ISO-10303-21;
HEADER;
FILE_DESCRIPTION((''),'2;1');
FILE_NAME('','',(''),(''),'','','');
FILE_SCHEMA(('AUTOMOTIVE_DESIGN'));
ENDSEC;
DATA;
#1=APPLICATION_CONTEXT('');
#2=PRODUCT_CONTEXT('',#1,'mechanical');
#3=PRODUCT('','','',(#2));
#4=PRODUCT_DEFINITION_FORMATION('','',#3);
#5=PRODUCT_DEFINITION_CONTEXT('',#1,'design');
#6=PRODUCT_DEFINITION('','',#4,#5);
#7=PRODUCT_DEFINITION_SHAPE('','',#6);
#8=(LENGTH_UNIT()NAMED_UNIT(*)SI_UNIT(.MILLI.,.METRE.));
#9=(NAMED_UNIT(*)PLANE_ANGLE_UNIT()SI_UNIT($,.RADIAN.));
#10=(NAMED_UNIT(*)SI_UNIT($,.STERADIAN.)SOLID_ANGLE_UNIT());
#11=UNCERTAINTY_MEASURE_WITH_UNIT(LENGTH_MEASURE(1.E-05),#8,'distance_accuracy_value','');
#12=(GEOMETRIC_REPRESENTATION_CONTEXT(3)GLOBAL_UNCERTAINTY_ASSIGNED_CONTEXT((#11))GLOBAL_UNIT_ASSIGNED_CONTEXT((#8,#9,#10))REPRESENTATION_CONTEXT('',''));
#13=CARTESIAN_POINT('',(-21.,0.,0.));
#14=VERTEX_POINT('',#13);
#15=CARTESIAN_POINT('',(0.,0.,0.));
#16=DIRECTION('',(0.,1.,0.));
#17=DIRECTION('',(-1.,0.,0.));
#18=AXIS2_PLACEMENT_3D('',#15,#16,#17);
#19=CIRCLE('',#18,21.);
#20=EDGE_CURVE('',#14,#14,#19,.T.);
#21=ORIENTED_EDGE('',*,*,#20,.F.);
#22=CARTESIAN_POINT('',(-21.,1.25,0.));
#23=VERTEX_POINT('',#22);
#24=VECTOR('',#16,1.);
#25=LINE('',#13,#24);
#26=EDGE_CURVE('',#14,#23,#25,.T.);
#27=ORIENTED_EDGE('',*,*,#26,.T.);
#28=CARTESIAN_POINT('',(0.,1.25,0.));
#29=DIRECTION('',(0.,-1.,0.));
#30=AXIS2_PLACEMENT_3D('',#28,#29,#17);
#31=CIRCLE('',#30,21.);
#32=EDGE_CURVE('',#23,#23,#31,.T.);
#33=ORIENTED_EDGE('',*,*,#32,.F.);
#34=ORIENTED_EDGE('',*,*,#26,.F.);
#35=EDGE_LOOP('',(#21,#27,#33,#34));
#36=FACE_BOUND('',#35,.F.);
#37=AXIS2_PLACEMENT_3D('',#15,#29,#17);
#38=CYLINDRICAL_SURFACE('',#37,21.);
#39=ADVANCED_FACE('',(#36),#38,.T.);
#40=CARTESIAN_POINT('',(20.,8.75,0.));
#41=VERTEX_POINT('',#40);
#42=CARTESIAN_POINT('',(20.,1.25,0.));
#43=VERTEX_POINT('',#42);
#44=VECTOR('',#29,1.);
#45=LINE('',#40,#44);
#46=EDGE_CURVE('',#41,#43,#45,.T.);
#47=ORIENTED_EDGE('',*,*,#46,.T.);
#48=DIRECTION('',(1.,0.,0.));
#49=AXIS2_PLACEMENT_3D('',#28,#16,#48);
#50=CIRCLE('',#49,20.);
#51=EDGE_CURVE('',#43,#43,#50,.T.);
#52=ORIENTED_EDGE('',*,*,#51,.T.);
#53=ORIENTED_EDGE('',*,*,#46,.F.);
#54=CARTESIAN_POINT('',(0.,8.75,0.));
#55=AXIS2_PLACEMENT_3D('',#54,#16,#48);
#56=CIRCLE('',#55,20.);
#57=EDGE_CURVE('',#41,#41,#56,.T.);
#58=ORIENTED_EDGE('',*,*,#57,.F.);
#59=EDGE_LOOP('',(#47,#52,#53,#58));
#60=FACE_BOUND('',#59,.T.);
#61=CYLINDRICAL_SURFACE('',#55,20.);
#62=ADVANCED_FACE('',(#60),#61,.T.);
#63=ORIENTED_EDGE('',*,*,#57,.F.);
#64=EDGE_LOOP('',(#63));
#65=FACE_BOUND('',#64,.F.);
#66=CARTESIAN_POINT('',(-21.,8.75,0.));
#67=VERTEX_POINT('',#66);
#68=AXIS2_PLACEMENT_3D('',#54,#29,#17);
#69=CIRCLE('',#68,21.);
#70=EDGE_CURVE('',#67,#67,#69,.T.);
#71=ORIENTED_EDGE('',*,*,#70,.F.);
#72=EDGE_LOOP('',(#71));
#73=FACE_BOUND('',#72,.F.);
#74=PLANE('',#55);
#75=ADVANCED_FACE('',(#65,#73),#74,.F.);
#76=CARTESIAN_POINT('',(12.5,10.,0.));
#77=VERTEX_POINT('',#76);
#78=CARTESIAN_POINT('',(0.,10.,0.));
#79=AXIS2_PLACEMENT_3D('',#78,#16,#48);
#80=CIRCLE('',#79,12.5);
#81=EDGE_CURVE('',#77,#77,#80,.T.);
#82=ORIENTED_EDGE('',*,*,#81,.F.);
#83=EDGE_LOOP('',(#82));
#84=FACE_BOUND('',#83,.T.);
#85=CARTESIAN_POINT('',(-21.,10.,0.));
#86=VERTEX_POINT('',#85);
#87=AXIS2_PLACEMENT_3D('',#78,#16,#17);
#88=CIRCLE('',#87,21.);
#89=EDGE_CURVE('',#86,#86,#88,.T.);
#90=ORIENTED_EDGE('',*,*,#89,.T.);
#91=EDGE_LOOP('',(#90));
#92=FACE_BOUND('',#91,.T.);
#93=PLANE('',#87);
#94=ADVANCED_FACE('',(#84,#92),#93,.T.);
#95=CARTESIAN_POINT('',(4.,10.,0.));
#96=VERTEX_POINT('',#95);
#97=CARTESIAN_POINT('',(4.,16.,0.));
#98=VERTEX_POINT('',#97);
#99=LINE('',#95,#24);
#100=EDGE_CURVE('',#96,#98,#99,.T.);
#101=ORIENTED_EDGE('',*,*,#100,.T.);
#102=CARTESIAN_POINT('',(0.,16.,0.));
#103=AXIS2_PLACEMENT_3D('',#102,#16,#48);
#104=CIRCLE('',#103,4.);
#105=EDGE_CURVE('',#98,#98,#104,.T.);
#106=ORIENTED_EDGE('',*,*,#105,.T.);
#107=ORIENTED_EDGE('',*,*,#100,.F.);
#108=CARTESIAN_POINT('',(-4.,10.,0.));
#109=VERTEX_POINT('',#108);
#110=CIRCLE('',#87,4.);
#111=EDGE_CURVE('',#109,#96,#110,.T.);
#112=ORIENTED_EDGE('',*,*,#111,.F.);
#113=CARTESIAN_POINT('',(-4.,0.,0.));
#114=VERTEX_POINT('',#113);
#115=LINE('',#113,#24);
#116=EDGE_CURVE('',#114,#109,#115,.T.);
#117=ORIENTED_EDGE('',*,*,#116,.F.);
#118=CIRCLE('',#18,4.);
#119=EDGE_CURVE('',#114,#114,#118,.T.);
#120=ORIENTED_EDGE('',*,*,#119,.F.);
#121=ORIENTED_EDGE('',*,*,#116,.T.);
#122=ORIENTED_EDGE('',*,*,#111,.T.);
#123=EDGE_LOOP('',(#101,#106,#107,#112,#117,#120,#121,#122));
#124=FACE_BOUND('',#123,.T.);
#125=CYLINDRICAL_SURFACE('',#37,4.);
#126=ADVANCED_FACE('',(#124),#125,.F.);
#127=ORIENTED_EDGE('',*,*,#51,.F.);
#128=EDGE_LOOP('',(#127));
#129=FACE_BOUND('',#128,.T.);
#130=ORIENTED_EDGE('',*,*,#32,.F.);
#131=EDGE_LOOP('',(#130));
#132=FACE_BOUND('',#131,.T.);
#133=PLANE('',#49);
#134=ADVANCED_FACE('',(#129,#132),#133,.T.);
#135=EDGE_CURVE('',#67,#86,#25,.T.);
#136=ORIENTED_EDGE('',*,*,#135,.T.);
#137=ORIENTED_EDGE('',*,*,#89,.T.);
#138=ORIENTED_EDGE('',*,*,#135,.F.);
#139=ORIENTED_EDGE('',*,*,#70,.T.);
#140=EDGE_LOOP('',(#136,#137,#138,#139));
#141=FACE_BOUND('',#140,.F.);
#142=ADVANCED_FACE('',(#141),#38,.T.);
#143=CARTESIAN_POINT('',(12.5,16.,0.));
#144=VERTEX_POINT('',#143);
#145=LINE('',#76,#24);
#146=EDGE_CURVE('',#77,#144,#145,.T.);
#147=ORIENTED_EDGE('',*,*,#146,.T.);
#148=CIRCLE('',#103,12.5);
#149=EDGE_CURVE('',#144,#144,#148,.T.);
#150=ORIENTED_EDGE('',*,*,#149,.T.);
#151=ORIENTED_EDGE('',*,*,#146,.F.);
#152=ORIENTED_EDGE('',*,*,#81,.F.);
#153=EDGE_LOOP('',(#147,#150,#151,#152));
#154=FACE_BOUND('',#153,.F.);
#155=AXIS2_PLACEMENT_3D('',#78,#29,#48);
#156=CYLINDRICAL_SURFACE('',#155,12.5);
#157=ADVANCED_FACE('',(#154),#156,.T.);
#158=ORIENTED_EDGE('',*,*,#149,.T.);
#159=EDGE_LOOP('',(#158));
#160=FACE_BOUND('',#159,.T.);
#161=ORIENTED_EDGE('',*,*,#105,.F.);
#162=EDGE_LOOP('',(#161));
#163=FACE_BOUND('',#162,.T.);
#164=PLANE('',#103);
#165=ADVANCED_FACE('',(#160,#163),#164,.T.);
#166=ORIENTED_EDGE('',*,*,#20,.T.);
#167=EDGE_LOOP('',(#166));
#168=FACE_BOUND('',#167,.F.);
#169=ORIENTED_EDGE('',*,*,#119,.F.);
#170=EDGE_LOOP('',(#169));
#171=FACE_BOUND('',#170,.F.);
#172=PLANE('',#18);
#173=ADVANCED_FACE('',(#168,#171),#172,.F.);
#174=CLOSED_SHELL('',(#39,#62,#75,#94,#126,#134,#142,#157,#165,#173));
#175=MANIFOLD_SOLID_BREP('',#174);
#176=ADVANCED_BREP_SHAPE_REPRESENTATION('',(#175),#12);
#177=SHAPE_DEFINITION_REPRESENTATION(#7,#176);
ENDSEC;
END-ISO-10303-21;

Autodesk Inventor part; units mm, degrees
ref_plane "YZ Plane" through (0, 0, 0) normal (1, 0, 0) x (0, 1, 0)
ref_plane "XZ Plane" through (0, 0, 0) normal (0, 1, 0) x (-1, 0, 0)
sketch "Sketch1" plane through (0, 0, 0) normal (0, 1, 0) x (-1, 0, 0)
  circle A0 centre (0, 0) radius 21
  circle A1 centre (0, 0) radius 4
  dimension "d0" = 42
  dimension "d1" = 8
extrude "Extrusion1" add sketch "Sketch1" along normal blind 10
sketch "Sketch2" plane through (0, 10, 0) normal (0, 1, 0) x (1, 0, 0)
  circle A0 centre (0, 0) radius 4
  circle A1 centre (0, 0) radius 12.5
  dimension "d4" = 8
  dimension "d5" = 25
extrude "Extrusion2" add sketch "Sketch2" along normal blind 6
ref_plane "Work Plane1" through (0, 8.75, 0) normal (0, 1, 0) x (1, 0, 0)
sketch "Sketch3" plane through (0, 8.75, 0) normal (0, 1, 0) x (1, 0, 0)
  circle A0 centre (0, 0) radius 21
  circle A1 centre (0, 0) radius 21 projected
  circle A2 centre (0, 0) radius 20
  dimension "d9" = 1
extrude "Extrusion3" cut sketch "Sketch3" against normal blind 7.5
properties part number "Gt2_60"
